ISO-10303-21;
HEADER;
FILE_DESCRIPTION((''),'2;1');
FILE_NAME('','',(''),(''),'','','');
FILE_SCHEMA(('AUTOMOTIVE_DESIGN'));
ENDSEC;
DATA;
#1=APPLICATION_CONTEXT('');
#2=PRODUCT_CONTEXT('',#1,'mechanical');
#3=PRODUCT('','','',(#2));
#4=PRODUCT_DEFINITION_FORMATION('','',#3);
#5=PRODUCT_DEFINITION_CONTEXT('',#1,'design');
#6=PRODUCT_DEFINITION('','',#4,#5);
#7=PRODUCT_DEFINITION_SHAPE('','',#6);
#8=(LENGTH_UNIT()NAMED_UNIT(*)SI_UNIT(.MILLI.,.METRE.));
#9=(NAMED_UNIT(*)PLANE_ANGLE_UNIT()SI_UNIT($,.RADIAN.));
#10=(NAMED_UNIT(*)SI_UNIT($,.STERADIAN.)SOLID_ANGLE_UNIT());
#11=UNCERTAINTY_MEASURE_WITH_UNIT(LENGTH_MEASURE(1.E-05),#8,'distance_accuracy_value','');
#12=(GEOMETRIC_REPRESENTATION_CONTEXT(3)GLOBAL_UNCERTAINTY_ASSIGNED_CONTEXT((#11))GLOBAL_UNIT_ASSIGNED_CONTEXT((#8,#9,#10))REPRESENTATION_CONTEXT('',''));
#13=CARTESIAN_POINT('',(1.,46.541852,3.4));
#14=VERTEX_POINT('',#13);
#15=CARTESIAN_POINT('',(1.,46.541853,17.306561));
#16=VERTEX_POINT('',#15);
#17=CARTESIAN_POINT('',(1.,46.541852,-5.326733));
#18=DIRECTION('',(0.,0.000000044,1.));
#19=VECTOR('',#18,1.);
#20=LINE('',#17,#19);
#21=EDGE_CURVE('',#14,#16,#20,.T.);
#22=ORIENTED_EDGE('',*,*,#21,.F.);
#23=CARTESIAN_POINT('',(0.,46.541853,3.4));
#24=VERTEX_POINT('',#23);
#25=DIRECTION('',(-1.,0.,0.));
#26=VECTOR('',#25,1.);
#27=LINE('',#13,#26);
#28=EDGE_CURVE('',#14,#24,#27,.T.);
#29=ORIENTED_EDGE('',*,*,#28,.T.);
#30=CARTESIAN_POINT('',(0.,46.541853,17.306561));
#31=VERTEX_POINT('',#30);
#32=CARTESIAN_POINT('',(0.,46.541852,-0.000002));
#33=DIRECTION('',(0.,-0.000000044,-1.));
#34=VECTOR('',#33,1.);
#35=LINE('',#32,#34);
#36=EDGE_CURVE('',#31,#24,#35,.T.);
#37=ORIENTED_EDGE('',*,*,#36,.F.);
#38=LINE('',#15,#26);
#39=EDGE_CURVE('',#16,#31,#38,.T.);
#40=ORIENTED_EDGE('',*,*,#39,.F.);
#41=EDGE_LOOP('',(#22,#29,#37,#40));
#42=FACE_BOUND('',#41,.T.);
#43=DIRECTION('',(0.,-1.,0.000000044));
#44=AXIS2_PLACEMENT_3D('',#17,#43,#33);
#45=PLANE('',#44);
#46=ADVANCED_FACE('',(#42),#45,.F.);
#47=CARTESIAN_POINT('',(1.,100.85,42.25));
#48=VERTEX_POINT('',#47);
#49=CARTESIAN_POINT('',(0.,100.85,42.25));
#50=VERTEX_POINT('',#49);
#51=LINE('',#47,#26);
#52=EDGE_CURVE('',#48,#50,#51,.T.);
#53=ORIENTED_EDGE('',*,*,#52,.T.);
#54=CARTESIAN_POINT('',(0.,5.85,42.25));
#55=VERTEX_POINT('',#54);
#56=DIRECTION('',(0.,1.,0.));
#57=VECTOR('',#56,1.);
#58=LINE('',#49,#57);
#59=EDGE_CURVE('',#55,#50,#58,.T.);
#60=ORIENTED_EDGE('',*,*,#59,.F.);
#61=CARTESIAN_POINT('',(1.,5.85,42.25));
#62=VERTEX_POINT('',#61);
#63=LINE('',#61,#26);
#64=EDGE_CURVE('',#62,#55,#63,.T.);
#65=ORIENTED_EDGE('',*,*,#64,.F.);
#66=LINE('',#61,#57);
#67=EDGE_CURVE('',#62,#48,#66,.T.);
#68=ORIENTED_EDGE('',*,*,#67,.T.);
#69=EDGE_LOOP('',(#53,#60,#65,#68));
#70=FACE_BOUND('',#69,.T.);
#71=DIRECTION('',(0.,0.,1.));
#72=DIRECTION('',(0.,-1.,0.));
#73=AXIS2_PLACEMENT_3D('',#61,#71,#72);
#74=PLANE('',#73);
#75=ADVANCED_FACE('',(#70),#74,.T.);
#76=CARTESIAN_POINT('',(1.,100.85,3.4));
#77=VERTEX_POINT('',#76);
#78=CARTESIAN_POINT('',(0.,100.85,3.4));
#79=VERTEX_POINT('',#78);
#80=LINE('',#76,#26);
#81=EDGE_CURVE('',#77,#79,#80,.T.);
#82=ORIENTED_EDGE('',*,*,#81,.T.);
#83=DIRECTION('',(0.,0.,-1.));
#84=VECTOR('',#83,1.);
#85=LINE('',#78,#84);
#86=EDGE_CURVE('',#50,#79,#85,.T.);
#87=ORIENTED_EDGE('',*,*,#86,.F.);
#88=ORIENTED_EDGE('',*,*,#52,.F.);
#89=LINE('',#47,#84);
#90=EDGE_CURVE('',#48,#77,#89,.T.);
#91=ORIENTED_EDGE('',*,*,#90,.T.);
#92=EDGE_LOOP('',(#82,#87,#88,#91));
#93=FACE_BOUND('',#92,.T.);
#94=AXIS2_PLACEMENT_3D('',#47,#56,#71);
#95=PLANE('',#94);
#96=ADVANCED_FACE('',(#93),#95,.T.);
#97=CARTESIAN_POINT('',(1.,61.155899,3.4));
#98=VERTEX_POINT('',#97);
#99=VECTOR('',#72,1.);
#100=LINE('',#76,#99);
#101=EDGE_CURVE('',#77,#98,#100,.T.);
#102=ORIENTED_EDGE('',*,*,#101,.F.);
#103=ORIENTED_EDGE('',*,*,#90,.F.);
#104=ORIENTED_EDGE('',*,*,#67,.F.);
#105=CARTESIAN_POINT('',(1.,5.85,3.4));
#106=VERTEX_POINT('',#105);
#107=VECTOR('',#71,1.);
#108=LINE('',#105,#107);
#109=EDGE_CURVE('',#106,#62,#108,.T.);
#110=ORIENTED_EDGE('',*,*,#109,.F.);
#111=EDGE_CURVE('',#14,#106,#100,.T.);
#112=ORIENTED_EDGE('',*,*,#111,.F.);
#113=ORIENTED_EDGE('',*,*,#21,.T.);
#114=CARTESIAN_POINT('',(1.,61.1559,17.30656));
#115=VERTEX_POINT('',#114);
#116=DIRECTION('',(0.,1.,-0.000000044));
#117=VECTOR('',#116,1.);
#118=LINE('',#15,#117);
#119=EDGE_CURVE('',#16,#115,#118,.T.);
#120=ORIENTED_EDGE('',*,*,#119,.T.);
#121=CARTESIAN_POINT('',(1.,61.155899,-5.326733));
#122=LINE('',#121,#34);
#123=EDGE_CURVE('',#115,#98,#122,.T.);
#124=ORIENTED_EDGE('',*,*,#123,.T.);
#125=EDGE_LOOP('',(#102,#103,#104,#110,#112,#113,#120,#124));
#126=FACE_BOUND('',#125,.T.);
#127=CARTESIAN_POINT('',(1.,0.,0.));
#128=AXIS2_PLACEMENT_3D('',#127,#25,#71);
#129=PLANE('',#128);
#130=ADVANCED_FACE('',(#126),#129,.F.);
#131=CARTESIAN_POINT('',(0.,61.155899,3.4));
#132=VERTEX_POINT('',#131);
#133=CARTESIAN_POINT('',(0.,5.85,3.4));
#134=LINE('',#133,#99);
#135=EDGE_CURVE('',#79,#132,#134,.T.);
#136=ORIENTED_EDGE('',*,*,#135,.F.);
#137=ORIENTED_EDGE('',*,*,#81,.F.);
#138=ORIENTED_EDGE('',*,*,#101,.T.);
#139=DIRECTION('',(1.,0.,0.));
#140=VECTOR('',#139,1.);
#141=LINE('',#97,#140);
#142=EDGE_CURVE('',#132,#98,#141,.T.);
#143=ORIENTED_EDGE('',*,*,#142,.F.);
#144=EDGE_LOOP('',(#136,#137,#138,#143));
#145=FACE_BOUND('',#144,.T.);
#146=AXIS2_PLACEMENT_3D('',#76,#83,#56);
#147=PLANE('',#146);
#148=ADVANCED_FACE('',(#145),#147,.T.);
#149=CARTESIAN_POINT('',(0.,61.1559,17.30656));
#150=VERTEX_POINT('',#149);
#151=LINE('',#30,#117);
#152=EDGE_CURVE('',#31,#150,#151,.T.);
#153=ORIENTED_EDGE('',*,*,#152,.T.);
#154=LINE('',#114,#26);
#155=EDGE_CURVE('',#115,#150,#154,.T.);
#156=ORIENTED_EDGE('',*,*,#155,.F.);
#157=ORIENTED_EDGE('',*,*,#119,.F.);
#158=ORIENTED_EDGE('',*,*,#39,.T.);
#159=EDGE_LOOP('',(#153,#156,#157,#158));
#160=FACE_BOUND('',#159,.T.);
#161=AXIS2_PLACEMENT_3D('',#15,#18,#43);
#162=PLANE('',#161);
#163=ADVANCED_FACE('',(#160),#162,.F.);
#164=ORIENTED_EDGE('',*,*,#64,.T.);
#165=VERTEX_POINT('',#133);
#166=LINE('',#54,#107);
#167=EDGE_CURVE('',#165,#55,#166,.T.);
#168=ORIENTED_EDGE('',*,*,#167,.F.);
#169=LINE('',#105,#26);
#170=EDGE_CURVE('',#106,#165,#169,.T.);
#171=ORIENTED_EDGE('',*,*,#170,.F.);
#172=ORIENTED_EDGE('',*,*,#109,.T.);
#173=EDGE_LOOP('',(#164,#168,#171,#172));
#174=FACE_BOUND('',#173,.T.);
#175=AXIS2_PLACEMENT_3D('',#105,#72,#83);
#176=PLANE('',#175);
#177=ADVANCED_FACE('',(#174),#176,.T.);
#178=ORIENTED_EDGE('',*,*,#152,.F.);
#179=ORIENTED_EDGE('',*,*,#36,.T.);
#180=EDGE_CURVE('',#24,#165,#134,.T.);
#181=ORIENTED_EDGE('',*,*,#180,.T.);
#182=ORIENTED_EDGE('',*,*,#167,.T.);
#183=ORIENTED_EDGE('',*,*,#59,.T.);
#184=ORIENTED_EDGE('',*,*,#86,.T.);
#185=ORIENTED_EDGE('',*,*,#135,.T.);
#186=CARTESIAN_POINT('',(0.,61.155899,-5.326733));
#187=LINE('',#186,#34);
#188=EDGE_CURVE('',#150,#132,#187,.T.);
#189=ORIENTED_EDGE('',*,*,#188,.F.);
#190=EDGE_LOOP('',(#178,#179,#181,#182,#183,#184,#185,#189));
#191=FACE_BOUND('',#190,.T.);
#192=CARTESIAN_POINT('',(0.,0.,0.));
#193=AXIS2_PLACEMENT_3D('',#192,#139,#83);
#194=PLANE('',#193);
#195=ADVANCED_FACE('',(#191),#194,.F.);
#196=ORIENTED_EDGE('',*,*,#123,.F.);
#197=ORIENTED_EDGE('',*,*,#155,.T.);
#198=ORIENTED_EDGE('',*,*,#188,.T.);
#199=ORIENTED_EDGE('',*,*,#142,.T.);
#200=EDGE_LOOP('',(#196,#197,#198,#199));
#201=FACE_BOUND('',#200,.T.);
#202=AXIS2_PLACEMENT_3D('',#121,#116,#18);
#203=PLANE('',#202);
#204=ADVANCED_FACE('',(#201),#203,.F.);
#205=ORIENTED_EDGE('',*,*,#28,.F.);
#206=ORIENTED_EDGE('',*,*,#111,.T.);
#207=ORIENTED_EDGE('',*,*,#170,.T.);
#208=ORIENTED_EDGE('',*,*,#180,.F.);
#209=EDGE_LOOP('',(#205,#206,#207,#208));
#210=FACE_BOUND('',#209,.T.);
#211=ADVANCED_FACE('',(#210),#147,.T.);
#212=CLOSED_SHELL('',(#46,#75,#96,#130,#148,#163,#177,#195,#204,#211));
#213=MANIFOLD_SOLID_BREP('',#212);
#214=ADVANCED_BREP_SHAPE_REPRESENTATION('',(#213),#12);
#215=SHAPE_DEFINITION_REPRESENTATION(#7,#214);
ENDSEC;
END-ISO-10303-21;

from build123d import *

# Parameters (mm, degrees)
SKETCH_1_W          = 95
SKETCH_1_H          = 38.85
EXTRUDE_1_DEPTH     = 0.5
SKETCH_2_W          = 38.85
SKETCH_2_H          = 95
EXTRUDE_2_DEPTH     = 0.5
CUT_EXTRUDE_1_DEPTH = 110.347085009


with BuildPart() as part:
    # Эскиз1 → Бобышка-Вытянуть1 (new body)
    with BuildSketch(Plane(origin=(0.5, 0, 0), x_dir=(0, -1, 0), z_dir=(-1, 0, 0))):
        with Locations((-53.35, 22.825)):
            Rectangle(SKETCH_1_W, SKETCH_1_H)
    extrude(amount=-EXTRUDE_1_DEPTH)

    # Эскиз2 → Бобышка-Вытянуть2 (add)
    with BuildSketch(Plane.ZY.offset(-0.5)):
        with Locations((22.825, 53.35)):
            Rectangle(SKETCH_2_W, SKETCH_2_H)
    extrude(amount=EXTRUDE_2_DEPTH)

    # Эскиз3 → Вырез-Вытянуть1 (cut, through all)
    with BuildSketch(Plane.ZY):
        Polygon((-5.326732783, 46.541852111), (17.306560977, 46.5418531), (17.306560338, 61.155899742), (-5.326732783, 61.155898752), align=None)
    extrude(amount=-CUT_EXTRUDE_1_DEPTH, mode=Mode.SUBTRACT)


solid = part.part
